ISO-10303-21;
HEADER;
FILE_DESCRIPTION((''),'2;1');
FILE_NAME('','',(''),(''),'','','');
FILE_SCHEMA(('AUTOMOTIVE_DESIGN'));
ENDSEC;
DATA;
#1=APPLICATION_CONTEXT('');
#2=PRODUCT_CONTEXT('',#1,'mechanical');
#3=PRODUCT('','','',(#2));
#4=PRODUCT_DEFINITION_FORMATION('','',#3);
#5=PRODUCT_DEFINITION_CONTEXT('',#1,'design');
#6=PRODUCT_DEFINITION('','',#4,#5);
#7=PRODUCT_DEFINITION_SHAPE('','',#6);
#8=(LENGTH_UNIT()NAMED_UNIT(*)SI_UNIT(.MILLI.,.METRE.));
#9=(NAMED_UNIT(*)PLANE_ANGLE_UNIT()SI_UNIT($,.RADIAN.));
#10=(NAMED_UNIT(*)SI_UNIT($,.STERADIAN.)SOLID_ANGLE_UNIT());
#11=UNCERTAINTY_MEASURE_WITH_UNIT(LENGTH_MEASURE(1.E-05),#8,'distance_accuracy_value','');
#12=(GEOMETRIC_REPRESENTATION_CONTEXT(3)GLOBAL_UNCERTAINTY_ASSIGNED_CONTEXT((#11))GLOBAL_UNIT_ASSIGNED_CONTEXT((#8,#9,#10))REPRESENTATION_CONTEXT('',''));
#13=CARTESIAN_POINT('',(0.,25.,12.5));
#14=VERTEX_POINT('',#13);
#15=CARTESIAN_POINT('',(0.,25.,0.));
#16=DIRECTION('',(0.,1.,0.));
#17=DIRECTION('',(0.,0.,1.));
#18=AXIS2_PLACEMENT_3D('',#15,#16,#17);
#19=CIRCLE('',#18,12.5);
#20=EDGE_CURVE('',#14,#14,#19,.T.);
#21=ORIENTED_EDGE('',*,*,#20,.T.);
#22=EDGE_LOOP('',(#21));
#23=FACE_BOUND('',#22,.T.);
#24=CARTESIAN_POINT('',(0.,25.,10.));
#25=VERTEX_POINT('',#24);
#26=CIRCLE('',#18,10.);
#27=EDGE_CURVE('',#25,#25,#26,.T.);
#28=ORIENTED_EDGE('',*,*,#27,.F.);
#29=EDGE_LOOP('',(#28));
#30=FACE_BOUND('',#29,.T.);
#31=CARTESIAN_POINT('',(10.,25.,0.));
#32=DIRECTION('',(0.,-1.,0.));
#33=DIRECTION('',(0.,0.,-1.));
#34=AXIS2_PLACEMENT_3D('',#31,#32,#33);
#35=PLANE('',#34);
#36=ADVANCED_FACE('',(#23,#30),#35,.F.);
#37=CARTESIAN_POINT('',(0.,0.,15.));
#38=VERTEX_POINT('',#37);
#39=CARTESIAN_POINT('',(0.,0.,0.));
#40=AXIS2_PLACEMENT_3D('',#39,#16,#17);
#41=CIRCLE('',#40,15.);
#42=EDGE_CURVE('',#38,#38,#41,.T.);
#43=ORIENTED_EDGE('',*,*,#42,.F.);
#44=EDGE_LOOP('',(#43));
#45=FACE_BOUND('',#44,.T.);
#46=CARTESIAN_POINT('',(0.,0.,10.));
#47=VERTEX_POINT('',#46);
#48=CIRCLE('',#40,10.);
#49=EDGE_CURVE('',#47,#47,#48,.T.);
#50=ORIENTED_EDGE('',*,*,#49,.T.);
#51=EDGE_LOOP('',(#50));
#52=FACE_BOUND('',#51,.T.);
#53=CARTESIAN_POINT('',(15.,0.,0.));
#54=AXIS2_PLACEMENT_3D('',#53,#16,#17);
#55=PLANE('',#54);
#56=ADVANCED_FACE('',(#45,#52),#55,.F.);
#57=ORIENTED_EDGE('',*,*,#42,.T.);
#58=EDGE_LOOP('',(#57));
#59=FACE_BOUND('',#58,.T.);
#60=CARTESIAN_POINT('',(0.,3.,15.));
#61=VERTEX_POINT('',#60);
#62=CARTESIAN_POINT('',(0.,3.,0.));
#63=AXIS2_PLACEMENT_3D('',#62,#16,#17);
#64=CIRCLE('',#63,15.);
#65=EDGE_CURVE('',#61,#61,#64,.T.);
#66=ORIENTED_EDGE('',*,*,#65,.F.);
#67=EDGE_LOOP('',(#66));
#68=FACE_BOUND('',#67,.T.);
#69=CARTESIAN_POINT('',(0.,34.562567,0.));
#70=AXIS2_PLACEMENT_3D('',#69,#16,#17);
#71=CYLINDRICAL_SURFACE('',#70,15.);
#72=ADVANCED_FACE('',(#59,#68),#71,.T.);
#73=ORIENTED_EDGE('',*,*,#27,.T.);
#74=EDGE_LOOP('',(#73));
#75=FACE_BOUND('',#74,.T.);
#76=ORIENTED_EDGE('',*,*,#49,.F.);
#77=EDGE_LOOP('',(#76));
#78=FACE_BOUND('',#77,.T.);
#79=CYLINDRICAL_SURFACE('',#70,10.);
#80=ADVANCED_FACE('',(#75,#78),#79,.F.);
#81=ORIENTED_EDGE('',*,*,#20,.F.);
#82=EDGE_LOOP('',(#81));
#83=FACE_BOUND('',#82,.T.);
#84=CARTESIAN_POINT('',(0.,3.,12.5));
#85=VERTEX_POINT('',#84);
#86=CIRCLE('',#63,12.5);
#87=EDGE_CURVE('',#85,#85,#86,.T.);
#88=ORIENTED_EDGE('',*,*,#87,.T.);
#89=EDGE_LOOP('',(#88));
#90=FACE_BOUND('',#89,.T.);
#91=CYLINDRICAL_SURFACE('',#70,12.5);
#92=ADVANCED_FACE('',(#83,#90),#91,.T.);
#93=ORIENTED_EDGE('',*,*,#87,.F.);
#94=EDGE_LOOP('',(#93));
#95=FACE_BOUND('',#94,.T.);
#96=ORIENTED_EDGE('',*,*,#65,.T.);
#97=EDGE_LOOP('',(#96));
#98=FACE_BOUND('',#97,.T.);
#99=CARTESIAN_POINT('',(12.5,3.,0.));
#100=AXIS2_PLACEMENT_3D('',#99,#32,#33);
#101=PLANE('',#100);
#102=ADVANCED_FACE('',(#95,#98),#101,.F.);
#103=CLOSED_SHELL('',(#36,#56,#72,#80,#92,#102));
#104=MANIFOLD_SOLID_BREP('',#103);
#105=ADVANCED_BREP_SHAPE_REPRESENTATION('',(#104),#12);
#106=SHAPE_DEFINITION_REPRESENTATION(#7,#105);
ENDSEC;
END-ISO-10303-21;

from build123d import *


with BuildPart() as part:
    # 스케치1 → 회전1 (revolve)
    with BuildSketch(Plane.XY):
        Polygon((10, 25), (12.5, 25), (12.5, 3), (15, 3), (15, 0), (10, 0), align=None)
    revolve(axis=Axis((0, 34.562566529, 0), (0, -1, 0)))


solid = part.part
